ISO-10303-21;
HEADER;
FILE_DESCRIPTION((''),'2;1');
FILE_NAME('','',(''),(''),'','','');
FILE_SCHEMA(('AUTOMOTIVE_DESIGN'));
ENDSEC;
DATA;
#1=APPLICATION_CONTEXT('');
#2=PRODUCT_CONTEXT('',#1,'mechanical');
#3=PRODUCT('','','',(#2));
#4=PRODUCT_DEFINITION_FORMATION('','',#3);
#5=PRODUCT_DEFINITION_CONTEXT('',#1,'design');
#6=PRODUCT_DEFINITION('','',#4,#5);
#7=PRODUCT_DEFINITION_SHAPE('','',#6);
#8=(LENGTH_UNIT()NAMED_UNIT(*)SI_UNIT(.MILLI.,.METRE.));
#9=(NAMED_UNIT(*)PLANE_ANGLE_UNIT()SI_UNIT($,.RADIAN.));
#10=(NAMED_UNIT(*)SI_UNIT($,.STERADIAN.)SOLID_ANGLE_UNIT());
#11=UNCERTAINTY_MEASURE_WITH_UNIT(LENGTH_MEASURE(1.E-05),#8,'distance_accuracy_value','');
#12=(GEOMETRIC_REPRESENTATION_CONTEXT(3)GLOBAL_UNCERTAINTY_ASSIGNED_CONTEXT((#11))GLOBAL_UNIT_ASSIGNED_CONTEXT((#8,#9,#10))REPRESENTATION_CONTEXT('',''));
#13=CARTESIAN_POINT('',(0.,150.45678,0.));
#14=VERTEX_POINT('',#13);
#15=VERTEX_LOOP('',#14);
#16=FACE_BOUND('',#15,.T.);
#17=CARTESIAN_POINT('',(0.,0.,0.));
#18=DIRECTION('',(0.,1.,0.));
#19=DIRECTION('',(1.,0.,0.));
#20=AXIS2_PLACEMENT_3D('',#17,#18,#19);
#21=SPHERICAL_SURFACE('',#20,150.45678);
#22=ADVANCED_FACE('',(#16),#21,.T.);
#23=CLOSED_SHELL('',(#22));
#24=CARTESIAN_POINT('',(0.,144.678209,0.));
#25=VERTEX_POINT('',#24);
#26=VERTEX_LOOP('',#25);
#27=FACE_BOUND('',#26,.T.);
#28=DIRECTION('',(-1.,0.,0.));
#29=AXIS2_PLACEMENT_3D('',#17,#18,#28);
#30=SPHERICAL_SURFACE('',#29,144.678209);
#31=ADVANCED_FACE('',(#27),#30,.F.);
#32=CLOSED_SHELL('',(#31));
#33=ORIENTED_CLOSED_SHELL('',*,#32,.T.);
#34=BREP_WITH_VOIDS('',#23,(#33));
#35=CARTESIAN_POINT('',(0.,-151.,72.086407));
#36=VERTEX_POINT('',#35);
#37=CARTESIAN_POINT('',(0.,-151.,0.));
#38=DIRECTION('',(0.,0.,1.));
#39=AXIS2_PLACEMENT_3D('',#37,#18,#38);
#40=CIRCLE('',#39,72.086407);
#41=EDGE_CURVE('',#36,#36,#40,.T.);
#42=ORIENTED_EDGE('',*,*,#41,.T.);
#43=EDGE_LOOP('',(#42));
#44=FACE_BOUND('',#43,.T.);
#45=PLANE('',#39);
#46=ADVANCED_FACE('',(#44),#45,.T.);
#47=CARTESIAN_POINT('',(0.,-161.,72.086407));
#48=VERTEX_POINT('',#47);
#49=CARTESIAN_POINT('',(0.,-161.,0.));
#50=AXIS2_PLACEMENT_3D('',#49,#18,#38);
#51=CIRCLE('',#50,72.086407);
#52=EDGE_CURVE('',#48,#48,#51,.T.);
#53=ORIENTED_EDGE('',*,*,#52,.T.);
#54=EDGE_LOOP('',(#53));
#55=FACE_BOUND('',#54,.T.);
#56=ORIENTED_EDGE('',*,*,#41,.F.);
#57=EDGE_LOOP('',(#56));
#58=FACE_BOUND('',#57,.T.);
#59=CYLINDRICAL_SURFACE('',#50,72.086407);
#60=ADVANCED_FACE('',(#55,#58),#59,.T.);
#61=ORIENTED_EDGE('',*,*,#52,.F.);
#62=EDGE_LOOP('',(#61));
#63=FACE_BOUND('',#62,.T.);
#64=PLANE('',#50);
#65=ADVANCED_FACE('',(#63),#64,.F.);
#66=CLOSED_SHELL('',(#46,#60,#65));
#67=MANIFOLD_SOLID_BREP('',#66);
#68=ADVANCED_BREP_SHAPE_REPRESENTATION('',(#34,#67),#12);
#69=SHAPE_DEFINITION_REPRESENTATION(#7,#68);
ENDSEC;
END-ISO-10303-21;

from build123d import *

# Parameters (mm, degrees)
SKETCH2_R           = 72.086406649
BOSS_EXTRUDE1_DEPTH = 10


with BuildPart() as part:
    # Sketch1 → Revolve1 (revolve)
    with BuildSketch(Plane.XY):
        with BuildLine():
            Line((0, 150.456780159), (0, 144.678208671))
            ThreePointArc((0, 144.678208671), (-144.678208671, 0), (0, -144.678208671))
            Line((0, -144.678208671), (0, -150.456780159))
            ThreePointArc((0, -150.456780159), (-150.456780159, 0), (0, 150.456780159))
        make_face()
    revolve(axis=Axis((0, 150.456780159, 0), (0, -1, 0)))


with BuildPart() as body_2:
    # Sketch2 → Boss-Extrude1 (new body)
    with BuildSketch(Plane(origin=(0, -151, 0), x_dir=(1, 0, 0), z_dir=(0, 1, 0))):
        with Locations(Location((0, 0, 0), (0, 0, 270))):
            Circle(SKETCH2_R)
    extrude(amount=-BOSS_EXTRUDE1_DEPTH)


solid = Compound([part.part, body_2.part])
